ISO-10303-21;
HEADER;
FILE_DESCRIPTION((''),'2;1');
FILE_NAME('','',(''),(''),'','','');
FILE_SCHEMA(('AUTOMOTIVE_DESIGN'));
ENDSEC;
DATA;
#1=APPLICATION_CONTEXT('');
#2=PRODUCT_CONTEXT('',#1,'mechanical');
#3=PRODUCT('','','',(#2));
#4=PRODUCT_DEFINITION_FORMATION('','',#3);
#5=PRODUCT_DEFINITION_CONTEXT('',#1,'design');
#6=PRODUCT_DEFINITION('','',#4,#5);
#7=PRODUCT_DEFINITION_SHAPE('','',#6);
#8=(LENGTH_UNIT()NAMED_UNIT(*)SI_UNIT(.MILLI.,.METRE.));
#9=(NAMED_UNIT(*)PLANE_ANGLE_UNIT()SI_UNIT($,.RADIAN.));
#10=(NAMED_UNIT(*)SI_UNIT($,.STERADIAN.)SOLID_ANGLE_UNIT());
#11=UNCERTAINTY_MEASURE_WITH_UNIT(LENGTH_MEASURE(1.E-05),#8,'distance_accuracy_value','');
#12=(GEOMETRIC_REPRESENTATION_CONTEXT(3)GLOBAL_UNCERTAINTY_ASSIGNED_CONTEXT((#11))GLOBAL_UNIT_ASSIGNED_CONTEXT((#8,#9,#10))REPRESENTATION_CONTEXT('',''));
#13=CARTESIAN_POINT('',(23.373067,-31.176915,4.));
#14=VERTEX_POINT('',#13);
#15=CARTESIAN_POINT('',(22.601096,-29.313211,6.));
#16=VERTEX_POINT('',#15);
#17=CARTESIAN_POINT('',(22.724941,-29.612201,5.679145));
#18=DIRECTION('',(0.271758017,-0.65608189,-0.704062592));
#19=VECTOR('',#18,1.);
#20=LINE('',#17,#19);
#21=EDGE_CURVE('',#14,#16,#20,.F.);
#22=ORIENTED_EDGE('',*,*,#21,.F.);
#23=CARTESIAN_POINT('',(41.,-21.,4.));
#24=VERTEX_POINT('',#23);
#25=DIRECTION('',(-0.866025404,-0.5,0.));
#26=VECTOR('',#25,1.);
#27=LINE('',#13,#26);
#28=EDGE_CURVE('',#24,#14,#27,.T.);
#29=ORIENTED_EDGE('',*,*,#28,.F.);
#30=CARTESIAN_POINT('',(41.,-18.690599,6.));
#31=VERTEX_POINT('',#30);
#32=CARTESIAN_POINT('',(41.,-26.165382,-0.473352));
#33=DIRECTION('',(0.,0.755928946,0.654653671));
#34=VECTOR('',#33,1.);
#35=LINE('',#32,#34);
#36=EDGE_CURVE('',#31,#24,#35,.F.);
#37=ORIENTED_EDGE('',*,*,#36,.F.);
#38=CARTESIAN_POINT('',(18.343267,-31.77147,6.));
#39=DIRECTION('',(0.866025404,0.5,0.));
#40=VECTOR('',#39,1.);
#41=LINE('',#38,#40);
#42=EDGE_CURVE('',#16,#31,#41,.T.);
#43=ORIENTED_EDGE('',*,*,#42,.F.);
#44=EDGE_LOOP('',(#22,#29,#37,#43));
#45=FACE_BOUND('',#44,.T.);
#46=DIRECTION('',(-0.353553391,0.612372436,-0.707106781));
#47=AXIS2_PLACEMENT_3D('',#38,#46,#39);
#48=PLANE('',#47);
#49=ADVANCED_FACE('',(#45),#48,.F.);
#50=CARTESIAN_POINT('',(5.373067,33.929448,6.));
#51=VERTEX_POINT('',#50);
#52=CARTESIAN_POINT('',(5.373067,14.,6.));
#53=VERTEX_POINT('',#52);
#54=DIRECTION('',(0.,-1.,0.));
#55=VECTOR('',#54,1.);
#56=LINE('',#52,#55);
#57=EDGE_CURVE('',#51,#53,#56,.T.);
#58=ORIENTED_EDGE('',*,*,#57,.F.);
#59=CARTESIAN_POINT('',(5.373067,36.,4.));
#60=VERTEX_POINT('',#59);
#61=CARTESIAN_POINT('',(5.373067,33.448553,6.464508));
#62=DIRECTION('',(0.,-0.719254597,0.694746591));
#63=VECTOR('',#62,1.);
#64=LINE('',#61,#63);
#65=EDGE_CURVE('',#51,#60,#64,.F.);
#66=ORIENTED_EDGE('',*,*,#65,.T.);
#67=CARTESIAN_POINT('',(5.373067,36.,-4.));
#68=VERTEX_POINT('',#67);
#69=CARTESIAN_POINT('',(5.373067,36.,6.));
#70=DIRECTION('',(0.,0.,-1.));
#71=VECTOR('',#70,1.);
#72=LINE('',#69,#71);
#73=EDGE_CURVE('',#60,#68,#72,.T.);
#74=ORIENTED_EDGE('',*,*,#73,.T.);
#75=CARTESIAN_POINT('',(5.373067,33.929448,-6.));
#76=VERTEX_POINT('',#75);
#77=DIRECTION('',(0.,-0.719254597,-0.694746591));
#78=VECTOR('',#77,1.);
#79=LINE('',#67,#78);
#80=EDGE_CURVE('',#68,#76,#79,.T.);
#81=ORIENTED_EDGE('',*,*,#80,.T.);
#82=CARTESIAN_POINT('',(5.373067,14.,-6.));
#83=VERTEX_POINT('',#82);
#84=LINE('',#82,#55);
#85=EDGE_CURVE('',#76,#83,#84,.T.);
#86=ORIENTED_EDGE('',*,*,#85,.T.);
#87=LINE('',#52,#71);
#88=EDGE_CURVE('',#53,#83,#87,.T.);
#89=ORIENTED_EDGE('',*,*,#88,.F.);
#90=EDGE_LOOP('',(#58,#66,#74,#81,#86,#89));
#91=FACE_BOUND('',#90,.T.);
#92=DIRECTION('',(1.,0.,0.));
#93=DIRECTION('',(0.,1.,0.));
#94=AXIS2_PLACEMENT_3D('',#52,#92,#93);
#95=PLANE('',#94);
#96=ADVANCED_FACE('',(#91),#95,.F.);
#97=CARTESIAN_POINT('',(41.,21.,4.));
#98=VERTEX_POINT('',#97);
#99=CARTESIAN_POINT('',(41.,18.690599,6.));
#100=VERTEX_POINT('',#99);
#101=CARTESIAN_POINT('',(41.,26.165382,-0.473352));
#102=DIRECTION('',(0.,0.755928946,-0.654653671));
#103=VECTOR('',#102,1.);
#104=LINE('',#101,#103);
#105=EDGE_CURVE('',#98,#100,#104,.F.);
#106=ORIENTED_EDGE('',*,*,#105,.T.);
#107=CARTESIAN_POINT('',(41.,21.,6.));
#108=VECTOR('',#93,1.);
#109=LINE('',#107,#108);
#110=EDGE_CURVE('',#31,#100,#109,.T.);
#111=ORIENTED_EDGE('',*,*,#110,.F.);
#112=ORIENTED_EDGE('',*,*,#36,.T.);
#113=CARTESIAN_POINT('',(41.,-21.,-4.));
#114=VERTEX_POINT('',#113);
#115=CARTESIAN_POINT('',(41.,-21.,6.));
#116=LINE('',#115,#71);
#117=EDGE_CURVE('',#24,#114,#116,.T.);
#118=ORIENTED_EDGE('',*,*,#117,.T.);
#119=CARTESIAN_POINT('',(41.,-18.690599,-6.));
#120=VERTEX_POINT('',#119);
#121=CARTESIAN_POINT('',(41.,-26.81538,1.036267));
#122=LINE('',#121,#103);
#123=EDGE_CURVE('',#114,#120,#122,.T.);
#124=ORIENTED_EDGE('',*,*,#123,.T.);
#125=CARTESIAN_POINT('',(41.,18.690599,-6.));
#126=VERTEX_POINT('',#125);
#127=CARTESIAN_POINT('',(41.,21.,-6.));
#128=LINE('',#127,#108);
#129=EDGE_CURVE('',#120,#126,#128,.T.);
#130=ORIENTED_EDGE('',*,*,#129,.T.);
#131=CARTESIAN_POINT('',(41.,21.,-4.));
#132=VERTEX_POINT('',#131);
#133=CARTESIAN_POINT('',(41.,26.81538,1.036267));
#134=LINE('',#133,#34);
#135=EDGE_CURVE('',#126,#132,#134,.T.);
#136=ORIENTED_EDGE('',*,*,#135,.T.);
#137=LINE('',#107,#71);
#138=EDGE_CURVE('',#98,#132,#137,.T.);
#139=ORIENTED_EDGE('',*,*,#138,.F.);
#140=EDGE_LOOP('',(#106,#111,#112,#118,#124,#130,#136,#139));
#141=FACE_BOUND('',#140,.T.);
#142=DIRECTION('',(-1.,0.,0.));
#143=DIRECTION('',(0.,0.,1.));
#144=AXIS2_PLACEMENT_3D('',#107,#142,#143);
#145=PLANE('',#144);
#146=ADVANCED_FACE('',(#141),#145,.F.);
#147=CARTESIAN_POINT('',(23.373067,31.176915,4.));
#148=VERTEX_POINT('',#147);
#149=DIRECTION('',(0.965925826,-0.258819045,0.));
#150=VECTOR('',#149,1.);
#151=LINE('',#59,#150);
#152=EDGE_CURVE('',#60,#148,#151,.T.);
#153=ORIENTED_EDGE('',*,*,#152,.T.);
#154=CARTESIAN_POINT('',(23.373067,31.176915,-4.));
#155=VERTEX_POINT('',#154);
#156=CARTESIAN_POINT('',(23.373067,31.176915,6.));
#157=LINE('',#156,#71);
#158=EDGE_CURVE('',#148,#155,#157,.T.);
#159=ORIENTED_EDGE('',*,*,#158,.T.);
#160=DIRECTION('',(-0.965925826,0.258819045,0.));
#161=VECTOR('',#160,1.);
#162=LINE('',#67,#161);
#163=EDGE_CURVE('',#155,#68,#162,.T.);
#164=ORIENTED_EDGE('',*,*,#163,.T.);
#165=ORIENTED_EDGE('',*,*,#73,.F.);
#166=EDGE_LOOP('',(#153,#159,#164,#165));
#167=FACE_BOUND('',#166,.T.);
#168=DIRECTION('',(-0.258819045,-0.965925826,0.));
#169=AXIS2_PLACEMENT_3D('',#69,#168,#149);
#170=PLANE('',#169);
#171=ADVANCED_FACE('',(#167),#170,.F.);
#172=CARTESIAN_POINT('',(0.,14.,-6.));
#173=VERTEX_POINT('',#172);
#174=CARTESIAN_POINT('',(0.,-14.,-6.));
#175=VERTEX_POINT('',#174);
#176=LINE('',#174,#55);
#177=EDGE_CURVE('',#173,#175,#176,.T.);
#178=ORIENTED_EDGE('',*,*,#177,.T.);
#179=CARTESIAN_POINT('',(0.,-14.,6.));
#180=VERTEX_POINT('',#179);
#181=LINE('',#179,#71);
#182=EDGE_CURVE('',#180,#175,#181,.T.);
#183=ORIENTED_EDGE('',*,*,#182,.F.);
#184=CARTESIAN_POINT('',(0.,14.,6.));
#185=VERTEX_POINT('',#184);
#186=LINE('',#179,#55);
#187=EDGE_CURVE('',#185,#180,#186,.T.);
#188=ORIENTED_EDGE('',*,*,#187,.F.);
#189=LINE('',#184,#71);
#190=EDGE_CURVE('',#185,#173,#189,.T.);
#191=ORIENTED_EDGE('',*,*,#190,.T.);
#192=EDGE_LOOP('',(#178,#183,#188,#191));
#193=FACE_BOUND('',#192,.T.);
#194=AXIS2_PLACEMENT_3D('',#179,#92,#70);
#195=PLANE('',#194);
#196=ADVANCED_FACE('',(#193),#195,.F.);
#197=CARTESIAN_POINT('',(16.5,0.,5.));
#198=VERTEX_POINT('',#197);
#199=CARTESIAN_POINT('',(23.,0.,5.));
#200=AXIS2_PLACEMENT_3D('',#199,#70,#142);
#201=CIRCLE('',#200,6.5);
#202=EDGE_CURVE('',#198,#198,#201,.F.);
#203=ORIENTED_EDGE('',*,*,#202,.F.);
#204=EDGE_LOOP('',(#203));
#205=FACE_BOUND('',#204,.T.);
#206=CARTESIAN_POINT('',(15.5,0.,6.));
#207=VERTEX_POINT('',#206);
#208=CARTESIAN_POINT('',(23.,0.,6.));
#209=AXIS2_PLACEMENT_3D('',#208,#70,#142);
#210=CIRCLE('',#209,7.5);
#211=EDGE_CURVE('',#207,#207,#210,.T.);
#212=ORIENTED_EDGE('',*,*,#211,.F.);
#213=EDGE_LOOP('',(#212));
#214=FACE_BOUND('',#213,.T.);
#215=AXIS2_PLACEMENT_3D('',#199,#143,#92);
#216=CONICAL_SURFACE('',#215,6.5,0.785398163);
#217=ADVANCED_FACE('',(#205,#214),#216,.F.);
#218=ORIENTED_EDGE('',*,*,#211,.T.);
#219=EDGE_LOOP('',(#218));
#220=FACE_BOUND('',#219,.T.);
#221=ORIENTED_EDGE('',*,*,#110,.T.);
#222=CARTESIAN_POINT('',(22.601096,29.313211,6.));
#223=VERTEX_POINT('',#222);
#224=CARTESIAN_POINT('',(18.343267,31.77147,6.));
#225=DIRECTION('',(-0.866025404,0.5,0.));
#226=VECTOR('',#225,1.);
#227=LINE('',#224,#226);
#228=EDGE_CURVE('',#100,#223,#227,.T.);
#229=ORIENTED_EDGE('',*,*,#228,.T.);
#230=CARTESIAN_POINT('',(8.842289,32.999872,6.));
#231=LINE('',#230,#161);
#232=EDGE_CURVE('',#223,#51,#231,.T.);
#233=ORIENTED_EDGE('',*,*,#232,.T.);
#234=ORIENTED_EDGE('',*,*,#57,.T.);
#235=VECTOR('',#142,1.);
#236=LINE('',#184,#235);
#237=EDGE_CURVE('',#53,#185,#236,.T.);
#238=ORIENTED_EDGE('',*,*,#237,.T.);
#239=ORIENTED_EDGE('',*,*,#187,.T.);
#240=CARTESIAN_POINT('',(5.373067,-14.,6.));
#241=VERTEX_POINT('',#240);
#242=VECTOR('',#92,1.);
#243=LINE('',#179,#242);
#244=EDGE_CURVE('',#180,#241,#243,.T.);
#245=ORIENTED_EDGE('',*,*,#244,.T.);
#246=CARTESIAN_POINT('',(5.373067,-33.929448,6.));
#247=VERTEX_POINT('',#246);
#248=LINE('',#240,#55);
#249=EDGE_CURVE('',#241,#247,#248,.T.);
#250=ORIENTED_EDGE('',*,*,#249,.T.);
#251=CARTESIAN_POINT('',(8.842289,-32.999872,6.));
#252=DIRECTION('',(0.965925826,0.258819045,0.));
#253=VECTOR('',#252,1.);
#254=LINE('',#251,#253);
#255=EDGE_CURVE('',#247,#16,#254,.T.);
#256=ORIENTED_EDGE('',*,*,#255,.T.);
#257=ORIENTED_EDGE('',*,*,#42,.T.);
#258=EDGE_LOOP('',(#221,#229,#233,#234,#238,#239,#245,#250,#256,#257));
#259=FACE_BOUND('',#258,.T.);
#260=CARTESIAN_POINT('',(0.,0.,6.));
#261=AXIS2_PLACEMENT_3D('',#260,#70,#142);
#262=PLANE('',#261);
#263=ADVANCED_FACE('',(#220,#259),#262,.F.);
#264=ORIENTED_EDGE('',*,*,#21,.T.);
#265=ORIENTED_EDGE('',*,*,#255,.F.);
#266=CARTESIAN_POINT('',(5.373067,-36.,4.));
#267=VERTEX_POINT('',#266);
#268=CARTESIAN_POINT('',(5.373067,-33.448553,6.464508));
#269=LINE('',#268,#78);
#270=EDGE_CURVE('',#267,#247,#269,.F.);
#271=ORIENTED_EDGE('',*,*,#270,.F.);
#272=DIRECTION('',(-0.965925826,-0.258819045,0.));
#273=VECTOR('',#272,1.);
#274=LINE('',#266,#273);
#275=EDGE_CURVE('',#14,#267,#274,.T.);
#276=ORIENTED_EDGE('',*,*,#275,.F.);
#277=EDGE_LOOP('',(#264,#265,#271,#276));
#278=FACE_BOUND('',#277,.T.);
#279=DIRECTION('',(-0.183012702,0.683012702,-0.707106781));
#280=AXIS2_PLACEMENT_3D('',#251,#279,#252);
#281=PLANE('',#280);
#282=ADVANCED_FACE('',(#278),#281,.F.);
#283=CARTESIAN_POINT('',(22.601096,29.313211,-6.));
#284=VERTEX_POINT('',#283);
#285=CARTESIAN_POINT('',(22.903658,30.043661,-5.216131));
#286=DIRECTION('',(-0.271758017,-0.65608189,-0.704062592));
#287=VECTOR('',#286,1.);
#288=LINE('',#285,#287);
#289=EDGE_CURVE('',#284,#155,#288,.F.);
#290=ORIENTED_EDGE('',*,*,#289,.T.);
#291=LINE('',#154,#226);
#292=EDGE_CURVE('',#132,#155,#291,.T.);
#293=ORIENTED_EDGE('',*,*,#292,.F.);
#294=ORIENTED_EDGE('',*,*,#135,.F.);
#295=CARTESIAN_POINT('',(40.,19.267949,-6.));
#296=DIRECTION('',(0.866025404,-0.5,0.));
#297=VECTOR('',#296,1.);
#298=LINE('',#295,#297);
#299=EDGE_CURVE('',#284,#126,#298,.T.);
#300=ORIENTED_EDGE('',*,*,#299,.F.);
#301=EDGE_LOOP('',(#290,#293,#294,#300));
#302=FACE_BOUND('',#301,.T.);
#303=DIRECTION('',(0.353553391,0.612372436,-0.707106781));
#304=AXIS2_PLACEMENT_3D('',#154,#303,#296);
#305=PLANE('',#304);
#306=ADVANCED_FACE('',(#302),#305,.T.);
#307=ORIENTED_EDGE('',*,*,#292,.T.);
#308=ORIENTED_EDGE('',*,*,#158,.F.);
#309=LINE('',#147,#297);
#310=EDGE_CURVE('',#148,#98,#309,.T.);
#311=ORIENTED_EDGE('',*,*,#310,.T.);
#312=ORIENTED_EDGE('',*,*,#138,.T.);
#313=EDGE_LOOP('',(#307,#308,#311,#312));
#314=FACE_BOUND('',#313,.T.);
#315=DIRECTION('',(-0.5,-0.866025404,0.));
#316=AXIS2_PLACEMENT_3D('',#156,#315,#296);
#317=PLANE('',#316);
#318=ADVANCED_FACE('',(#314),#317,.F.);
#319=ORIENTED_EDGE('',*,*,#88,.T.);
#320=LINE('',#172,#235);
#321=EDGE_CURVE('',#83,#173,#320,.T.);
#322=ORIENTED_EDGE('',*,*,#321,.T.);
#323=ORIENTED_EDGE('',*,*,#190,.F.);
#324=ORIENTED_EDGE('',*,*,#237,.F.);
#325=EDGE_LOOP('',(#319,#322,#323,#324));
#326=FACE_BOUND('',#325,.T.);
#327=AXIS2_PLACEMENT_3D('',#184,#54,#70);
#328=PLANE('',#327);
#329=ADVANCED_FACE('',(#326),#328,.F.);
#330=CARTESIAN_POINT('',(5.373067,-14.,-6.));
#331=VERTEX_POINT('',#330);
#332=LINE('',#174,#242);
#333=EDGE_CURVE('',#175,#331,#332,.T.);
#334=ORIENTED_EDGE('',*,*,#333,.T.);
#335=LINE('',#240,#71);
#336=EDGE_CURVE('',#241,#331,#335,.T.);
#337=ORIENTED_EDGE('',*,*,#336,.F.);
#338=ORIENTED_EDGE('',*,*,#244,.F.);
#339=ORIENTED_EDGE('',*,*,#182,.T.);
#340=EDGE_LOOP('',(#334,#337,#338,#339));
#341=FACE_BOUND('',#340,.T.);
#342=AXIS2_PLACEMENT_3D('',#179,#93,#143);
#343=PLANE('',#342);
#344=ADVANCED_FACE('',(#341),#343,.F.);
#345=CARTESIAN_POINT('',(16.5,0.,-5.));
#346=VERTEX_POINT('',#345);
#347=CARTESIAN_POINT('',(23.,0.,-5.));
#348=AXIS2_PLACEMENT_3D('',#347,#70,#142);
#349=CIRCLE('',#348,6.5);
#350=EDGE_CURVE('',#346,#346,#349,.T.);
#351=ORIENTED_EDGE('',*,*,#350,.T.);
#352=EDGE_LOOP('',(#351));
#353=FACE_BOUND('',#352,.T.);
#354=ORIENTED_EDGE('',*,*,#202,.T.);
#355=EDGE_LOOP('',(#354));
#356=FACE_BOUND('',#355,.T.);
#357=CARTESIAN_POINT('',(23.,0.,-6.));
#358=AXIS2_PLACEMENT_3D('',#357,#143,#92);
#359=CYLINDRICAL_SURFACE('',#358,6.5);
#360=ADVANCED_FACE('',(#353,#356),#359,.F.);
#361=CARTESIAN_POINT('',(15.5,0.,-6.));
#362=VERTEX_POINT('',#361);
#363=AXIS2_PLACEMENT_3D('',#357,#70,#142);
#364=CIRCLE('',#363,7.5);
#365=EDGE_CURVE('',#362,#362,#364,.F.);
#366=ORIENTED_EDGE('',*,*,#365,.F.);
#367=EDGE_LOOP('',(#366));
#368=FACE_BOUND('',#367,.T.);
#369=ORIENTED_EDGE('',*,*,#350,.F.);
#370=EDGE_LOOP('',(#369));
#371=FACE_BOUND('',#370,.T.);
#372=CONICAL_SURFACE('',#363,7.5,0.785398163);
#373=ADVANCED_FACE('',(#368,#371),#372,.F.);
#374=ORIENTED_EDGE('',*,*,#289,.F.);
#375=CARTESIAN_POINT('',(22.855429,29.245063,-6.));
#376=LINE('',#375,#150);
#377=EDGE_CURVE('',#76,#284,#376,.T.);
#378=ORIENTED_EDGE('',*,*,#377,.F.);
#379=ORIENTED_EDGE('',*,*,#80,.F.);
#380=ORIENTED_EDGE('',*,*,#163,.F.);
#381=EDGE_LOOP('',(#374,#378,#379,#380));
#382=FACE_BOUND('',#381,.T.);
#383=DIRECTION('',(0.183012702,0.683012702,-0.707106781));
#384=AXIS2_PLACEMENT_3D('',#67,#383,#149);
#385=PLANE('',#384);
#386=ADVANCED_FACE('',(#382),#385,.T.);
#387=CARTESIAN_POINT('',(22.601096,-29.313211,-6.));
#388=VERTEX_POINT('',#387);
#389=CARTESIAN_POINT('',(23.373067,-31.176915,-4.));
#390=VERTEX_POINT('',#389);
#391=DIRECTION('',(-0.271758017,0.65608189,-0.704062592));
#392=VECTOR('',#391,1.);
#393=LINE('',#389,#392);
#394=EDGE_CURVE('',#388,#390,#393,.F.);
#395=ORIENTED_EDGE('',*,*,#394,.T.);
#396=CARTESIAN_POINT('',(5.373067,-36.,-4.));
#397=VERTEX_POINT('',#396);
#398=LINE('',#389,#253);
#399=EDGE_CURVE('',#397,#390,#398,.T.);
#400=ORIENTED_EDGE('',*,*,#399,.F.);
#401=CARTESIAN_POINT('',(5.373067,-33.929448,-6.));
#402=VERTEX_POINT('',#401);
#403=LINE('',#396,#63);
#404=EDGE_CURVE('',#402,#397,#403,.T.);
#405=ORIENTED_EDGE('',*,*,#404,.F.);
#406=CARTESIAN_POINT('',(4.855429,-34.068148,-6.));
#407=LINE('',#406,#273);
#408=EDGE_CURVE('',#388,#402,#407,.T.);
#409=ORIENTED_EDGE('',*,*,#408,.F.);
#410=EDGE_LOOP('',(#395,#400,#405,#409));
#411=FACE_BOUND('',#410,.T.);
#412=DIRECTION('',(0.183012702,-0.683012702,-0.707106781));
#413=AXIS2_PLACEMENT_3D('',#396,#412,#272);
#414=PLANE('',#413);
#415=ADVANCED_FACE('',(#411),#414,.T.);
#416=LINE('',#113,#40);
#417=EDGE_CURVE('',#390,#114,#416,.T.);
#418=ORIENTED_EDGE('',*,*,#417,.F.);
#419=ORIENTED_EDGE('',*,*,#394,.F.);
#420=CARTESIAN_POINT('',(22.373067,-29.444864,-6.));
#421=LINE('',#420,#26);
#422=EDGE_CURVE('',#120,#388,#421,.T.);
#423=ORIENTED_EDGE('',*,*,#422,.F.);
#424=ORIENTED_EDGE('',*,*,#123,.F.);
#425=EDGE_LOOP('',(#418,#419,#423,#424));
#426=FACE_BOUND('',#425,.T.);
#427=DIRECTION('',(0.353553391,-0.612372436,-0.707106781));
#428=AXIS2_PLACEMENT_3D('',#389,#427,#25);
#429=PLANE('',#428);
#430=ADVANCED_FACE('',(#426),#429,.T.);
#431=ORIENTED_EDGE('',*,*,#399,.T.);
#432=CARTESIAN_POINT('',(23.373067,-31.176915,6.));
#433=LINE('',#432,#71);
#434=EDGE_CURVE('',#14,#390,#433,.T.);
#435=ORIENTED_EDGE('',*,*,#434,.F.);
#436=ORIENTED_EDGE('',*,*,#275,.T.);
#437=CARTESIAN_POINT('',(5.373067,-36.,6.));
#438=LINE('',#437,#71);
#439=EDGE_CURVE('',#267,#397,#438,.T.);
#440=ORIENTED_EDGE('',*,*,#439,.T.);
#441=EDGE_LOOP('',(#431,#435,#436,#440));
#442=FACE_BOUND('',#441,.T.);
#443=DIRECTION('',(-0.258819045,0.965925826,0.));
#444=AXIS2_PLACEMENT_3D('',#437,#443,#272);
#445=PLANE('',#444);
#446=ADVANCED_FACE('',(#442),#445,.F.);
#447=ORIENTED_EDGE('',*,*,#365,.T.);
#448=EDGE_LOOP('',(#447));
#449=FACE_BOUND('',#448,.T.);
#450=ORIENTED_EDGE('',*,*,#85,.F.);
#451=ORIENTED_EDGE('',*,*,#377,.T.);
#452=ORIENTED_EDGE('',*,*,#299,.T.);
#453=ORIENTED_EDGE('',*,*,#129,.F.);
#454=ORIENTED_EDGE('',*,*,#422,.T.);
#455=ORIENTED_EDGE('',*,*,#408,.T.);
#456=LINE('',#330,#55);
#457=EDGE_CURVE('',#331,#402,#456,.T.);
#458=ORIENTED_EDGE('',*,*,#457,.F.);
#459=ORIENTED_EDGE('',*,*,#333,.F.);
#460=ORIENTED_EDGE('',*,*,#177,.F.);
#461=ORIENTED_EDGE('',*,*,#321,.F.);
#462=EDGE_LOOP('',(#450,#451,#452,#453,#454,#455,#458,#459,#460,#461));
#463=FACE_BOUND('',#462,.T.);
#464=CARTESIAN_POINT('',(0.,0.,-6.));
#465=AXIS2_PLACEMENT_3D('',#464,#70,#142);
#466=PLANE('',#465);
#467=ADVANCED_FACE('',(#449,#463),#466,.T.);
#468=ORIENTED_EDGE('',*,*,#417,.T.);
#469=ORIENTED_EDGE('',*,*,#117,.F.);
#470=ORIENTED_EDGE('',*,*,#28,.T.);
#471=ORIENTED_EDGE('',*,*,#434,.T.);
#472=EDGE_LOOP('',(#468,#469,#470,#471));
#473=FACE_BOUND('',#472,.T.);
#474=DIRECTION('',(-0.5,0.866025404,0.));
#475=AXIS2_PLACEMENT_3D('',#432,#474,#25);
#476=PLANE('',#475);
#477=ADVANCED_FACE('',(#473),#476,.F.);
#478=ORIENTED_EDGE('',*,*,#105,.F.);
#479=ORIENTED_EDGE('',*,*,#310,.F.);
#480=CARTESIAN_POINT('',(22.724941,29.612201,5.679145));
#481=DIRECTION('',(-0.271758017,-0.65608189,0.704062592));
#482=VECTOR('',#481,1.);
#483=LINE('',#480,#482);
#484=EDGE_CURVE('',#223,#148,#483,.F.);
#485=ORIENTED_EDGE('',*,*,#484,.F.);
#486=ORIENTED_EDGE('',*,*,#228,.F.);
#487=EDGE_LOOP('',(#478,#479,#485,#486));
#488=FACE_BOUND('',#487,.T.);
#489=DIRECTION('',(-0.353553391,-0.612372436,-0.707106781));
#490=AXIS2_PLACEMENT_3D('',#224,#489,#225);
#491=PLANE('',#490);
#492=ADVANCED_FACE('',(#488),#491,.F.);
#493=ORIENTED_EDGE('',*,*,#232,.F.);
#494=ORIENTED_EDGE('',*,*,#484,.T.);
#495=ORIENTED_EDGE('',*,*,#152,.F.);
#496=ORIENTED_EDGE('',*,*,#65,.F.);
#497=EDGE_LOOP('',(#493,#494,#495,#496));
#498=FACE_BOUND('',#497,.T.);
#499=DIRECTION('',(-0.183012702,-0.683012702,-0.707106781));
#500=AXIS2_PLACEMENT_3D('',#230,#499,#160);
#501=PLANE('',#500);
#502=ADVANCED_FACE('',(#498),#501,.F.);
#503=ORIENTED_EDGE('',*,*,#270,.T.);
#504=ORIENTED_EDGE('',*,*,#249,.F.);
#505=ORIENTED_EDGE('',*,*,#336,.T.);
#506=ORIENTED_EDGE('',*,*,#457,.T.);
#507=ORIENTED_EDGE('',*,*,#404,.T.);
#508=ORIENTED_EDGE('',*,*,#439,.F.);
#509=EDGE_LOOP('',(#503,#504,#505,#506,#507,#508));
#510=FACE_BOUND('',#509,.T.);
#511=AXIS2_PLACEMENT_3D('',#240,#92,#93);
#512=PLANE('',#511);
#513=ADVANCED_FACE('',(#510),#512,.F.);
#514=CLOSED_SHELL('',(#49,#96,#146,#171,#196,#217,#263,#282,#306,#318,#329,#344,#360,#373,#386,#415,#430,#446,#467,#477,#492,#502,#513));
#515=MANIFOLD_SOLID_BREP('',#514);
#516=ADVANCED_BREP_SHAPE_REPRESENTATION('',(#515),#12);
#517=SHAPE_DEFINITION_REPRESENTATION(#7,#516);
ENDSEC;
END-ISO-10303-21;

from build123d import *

# Parameters (mm, degrees)
EXTRUDE_1_DEPTH     = 6
SKETCH_2_R          = 6.5
CUT_EXTRUDE_1_DEPTH = 56.865910894
CHAMFER_1_SIZE      = 1
CHAMFER_2_SIZE      = 2


with BuildPart() as part:
    # 草图1 → 凸台-拉伸1 (new, symmetric)
    with BuildSketch(Plane.XY):
        Polygon((0, -14), (0, 14), (5.373066959, 14), (5.373066959, 36), (23.373066959, 31.176914536), (41, 21), (41, -21), (23.373066959, -31.176914536), (5.373066959, -36), (5.373066959, -14), align=None)
    extrude(amount=EXTRUDE_1_DEPTH, both=True)

    # 草图2 → 切除-拉伸1 (cut, through all)
    with BuildSketch(Plane.XY.offset(6)):
        with Locations((23, 0)):
            Circle(SKETCH_2_R)
    extrude(amount=-CUT_EXTRUDE_1_DEPTH, mode=Mode.SUBTRACT)

    # 倒角1
    chamfer_1_edges = [part.edges().sort_by_distance(p)[0] for p in [
        (16.5, 0, -6),
        (16.5, 0, 6),
    ]]
    chamfer(chamfer_1_edges, length=CHAMFER_1_SIZE)

    # 倒角2
    chamfer_2_edges = [part.edges().sort_by_distance(p)[0] for p in [
        (14.373066959, -33.588457268, -6),
        (14.373066959, 33.588457268, -6),
        (32.186533479, 26.088457268, 6),
        (32.186533479, 26.088457268, -6),
        (32.186533479, -26.088457268, -6),
        (14.373066959, 33.588457268, 6),
        (14.373066959, -33.588457268, 6),
        (32.186533479, -26.088457268, 6),
    ]]
    chamfer(chamfer_2_edges, length=CHAMFER_2_SIZE)


solid = part.part
